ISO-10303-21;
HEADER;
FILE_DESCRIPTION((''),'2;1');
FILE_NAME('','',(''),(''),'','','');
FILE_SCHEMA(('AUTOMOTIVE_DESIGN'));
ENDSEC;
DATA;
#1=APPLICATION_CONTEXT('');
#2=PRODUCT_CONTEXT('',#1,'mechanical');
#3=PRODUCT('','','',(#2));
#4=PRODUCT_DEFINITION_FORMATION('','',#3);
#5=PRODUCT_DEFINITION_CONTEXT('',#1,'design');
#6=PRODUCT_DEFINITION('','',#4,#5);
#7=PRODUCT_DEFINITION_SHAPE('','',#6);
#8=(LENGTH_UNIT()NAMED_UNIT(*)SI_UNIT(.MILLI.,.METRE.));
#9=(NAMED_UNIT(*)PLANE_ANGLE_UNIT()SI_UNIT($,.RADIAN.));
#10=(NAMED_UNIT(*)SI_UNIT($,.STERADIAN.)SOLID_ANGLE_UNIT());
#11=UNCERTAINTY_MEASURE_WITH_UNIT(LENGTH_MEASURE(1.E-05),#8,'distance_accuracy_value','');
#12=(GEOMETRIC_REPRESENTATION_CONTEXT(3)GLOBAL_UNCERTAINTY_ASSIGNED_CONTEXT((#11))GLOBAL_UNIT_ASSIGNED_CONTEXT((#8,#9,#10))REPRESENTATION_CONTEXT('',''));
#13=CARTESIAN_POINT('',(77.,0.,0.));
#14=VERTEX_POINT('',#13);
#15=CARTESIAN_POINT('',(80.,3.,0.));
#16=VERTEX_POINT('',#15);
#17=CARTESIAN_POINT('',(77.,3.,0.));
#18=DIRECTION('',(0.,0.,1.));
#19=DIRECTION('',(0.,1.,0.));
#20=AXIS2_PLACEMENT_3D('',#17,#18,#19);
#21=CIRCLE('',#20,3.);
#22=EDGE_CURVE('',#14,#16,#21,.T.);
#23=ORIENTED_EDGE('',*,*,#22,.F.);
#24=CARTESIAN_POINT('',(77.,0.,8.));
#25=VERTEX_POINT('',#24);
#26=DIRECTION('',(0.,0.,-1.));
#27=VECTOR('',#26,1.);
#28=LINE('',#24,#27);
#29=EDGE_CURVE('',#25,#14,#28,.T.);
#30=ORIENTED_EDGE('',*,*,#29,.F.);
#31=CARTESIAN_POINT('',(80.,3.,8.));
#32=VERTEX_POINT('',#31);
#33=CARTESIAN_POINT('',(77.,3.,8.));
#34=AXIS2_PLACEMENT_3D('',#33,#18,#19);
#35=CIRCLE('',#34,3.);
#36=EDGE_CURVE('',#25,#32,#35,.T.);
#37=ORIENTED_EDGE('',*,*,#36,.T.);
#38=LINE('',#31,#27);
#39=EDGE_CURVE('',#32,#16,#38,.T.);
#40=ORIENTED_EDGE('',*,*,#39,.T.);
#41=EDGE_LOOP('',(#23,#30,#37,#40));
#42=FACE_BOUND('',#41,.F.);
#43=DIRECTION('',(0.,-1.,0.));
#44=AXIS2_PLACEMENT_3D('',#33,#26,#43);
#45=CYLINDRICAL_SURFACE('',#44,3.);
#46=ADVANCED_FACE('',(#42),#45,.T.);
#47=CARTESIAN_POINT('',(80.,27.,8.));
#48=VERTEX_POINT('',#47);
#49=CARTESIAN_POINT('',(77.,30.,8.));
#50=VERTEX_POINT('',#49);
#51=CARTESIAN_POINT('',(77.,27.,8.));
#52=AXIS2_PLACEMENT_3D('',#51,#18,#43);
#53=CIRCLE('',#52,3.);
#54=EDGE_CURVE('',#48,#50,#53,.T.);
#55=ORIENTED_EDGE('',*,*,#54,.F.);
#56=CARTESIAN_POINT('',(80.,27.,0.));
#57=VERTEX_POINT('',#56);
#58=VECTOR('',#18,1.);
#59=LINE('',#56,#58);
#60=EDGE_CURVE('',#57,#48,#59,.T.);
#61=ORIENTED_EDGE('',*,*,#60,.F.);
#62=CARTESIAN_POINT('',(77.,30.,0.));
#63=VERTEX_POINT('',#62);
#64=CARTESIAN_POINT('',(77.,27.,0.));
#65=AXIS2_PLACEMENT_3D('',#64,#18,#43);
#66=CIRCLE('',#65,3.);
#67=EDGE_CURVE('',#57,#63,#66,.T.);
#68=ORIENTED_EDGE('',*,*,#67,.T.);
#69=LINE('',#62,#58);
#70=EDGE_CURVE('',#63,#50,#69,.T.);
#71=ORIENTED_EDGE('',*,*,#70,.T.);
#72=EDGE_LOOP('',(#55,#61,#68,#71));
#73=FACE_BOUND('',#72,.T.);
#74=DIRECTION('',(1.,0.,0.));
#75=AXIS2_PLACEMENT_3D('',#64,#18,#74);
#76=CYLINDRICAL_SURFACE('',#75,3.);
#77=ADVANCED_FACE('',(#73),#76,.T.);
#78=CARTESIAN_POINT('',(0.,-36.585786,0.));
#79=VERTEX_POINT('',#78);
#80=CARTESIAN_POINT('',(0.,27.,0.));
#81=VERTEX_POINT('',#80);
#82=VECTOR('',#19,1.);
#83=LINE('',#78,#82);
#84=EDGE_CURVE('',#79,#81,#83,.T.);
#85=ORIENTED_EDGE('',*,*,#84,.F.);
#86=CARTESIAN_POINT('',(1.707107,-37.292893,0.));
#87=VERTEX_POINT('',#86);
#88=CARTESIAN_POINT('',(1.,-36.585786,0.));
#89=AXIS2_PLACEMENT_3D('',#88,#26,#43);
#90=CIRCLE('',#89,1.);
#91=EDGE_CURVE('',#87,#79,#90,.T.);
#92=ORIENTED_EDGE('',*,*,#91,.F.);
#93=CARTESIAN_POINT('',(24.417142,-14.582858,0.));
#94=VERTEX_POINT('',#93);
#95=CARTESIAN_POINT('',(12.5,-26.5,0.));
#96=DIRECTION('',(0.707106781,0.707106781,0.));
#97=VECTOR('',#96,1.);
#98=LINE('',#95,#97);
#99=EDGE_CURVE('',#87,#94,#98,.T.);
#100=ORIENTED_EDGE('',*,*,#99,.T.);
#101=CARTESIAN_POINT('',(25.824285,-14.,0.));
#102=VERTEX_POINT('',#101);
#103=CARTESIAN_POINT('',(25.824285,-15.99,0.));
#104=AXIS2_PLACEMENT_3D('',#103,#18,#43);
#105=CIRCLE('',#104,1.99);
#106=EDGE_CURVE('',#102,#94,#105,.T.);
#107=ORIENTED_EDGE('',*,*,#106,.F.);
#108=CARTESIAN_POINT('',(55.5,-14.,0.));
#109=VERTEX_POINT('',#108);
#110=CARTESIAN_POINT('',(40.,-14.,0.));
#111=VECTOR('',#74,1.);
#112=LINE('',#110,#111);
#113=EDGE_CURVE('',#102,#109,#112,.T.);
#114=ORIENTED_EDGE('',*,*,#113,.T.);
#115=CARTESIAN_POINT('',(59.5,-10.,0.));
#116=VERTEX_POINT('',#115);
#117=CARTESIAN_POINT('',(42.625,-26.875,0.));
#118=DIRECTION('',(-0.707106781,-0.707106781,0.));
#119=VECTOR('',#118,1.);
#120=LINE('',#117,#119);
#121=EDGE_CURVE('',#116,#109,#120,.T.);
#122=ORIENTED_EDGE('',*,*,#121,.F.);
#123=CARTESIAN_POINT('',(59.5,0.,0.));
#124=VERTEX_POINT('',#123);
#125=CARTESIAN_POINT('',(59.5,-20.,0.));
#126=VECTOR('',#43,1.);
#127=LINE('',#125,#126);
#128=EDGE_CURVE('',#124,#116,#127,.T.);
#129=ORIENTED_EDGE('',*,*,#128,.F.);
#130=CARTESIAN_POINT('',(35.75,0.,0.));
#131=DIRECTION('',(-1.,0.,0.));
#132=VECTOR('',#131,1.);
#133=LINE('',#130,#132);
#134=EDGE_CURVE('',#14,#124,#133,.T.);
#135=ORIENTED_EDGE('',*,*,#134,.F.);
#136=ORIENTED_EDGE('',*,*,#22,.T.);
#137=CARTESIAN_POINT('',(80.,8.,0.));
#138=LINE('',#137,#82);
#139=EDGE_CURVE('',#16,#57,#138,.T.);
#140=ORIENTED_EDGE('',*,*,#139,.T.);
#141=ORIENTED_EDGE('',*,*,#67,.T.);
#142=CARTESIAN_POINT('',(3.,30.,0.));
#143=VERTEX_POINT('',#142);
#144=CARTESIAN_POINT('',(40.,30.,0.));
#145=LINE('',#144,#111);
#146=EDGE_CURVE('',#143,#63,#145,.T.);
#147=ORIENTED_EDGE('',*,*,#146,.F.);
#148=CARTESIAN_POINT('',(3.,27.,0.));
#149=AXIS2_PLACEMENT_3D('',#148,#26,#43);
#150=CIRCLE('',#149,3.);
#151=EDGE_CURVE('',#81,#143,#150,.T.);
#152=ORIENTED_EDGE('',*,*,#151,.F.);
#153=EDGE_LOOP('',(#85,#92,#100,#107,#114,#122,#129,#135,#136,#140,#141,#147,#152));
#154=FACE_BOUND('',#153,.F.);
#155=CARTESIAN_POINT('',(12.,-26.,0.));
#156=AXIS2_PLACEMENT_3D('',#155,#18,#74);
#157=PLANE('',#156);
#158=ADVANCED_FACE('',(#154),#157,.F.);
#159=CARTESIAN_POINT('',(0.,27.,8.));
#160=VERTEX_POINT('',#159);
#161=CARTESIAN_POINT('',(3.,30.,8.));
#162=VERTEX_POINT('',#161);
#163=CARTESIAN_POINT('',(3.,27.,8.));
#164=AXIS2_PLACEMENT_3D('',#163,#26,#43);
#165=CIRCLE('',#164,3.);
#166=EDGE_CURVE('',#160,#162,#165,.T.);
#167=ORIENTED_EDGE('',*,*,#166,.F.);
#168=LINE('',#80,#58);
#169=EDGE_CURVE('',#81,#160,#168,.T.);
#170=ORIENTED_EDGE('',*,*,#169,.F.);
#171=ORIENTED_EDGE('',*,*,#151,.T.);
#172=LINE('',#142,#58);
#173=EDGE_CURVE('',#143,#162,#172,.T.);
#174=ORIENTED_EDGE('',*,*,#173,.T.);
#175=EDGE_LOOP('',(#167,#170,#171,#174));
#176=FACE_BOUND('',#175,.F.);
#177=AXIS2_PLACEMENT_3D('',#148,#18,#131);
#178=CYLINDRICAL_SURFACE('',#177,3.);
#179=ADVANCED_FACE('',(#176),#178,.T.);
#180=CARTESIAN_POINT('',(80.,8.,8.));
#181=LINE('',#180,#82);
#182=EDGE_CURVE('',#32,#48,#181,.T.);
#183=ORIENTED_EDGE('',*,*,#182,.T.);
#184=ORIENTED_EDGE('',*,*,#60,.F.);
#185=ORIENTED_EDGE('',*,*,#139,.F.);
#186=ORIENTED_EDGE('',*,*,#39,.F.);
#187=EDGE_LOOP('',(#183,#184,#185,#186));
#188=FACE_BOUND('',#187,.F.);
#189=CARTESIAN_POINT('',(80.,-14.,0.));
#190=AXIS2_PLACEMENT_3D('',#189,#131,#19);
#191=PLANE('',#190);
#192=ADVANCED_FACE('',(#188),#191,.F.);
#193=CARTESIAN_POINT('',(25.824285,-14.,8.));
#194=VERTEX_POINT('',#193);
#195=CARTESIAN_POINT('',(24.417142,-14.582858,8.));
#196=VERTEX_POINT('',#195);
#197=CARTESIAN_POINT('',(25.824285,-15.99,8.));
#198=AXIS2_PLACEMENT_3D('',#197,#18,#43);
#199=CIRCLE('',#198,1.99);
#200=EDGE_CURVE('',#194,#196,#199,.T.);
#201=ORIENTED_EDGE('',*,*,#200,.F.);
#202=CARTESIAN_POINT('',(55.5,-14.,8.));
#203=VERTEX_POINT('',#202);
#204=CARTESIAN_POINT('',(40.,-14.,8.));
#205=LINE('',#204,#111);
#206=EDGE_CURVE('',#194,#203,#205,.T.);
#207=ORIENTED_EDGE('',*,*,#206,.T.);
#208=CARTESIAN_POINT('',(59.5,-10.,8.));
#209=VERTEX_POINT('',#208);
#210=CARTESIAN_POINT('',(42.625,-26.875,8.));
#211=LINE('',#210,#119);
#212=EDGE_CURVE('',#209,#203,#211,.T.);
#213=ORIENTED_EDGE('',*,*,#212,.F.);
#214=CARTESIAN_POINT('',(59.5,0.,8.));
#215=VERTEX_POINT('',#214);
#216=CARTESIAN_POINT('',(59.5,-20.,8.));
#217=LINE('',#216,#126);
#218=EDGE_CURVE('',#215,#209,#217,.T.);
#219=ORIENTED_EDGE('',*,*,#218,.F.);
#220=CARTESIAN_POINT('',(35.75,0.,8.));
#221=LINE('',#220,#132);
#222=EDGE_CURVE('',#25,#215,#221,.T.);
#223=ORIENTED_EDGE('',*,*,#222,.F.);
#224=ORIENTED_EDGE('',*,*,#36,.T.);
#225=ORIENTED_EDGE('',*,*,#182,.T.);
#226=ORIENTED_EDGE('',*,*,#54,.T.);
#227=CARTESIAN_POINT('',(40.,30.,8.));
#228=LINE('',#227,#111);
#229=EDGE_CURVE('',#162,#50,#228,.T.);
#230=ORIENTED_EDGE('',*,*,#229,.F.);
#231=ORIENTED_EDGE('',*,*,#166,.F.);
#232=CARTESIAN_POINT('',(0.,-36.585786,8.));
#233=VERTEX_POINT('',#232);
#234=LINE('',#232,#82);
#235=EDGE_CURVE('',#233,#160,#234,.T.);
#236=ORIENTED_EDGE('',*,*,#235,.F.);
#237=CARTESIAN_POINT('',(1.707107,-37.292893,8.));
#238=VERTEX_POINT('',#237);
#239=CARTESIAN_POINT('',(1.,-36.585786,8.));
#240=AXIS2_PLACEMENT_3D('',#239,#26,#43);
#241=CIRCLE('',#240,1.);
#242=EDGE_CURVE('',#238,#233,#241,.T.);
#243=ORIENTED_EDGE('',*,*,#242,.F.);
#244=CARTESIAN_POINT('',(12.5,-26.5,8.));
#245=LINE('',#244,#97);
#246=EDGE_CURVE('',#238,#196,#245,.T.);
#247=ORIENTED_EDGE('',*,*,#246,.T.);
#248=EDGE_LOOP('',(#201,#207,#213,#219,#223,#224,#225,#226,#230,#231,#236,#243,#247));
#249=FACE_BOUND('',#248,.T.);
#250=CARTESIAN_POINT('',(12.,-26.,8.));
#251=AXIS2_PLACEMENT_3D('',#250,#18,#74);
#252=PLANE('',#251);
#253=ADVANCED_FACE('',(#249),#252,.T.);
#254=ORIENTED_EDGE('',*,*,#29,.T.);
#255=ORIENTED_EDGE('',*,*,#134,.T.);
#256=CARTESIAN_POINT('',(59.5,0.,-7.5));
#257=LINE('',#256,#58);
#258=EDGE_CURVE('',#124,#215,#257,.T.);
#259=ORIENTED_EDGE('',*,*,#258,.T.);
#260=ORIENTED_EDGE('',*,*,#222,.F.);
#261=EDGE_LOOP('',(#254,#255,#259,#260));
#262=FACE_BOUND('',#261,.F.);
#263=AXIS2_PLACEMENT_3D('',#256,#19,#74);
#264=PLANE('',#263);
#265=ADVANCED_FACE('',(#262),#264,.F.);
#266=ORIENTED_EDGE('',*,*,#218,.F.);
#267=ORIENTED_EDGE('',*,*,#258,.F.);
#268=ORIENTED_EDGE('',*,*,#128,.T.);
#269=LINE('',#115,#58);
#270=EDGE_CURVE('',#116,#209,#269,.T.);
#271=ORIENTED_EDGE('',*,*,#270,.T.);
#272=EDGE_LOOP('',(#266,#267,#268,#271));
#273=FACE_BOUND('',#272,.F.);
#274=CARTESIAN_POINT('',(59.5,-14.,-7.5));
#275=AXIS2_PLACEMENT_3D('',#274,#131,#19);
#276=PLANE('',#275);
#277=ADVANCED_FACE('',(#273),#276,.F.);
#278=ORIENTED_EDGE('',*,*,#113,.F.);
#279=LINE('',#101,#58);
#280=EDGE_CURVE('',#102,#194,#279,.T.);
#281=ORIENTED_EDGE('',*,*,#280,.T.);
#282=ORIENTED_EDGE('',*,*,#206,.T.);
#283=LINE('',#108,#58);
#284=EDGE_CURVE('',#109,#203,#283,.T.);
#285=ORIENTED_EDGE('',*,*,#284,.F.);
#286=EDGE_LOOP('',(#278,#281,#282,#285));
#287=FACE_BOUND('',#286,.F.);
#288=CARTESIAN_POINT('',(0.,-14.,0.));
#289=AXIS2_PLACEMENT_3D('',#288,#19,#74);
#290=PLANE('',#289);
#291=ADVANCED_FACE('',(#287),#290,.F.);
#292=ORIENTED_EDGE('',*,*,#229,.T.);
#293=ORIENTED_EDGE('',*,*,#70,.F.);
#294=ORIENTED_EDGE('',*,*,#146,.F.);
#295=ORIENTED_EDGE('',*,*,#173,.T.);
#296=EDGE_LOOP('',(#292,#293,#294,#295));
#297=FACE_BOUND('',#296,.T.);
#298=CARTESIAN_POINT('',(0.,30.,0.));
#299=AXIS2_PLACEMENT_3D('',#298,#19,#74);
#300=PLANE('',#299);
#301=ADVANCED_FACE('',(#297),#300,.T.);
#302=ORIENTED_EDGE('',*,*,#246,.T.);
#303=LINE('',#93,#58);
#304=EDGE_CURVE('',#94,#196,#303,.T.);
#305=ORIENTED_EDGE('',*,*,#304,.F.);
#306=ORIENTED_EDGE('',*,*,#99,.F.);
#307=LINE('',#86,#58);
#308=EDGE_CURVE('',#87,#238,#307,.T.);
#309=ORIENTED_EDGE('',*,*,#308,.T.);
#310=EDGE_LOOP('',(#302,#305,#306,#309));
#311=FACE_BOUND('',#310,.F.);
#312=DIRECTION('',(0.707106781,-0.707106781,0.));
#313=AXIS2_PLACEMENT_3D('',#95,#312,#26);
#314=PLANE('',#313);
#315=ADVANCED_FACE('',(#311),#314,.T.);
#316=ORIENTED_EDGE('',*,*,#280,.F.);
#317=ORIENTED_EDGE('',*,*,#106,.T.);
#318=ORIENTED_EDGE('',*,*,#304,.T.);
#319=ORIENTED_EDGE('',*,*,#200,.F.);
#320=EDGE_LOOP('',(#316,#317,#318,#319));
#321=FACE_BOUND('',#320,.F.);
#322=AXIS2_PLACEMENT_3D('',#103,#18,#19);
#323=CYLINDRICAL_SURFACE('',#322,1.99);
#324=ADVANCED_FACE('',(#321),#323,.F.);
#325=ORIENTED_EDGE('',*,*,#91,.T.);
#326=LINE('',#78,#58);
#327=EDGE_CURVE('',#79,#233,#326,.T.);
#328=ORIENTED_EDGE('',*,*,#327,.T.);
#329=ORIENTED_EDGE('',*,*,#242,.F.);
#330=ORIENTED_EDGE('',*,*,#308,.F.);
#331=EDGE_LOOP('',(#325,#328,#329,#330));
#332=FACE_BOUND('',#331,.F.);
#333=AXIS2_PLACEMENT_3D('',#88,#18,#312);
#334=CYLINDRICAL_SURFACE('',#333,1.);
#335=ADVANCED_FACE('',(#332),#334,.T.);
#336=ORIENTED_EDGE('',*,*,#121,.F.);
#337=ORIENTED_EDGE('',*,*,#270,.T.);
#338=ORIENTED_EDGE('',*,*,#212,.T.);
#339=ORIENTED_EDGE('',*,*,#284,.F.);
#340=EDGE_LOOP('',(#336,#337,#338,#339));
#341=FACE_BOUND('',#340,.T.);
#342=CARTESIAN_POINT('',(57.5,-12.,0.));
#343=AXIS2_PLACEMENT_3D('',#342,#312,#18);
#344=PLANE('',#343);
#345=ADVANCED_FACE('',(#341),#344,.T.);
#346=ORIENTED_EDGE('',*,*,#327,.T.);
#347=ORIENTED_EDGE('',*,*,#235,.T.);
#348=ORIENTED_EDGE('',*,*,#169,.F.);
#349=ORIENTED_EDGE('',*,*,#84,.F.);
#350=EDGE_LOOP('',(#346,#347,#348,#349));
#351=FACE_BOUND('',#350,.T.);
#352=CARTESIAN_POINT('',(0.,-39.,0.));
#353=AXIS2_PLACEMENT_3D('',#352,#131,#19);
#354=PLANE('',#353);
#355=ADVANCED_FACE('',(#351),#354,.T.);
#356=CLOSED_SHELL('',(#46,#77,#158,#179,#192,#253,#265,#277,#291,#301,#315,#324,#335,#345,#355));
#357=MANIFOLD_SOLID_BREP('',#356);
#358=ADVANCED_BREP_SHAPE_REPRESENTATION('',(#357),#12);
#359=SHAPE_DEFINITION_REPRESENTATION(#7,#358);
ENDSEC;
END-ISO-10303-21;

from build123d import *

# Parameters (mm, degrees)
BOX028_W          = 27
BOX028_H          = 14
BOX028_DEPTH      = 22
BOX009_W          = 80
BOX009_H          = 44
BOX009_DEPTH      = 8
BOX021_W          = 26
BOX021_H          = 26
BOX021_DEPTH      = 8
BOX020_W          = 26
BOX020_H          = 26
BOX020_DEPTH      = 8
CHAMFER017_SIZE   = 25
FILLET004003004_R = 1
FILLET004003005_R = 1.99
FILLET004003006_R = 3
CHAMFER033_SIZE   = 4
FILLET004003008_R = 3


with BuildPart() as cube028:
    # Box028 → Box028 (new body)
    with BuildSketch(Plane(origin=(59.5, -14, -7.5), x_dir=(1, 0, 0), z_dir=(0, 0, 1))):
        with Locations((13.5, 7)):
            Rectangle(BOX028_W, BOX028_H)
    extrude(amount=BOX028_DEPTH)


with BuildPart() as cube009:
    # Box009 → Box009 (new body)
    with BuildSketch(Plane(origin=(0, -14, 0), x_dir=(1, 0, 0), z_dir=(0, 0, 1))):
        with Locations((40, 22)):
            Rectangle(BOX009_W, BOX009_H)
    extrude(amount=BOX009_DEPTH)


with BuildPart() as cube021:
    # Box021 → Box021 (new body)
    with BuildSketch(Plane(origin=(-26, -39, 0), x_dir=(1, 0, 0), z_dir=(0, 0, 1))):
        with Locations((13, 13)):
            Rectangle(BOX021_W, BOX021_H)
    extrude(amount=BOX021_DEPTH)


with BuildPart() as fillet004003008:
    # Box020 → Box020 (new body)
    with BuildSketch(Plane(origin=(-1, -39, 0), x_dir=(1, 0, 0), z_dir=(0, 0, 1))):
        with Locations((13, 13)):
            Rectangle(BOX020_W, BOX020_H)
    extrude(amount=BOX020_DEPTH)

    # Chamfer017
    chamfer017_edges = [fillet004003008.edges().sort_by_distance(p)[0] for p in [
        (25, -39, 4),
    ]]
    chamfer(chamfer017_edges, length=CHAMFER017_SIZE)

    # Cut002008010: cut Cube021
    add(cube021.part, mode=Mode.SUBTRACT)

    # Fillet004003004
    fillet004003004_edges = [fillet004003008.edges().sort_by_distance(p)[0] for p in [
        (0, -39, 4),
    ]]
    fillet(fillet004003004_edges, radius=FILLET004003004_R)

    # Fusion006002011004053036004001003009006004: union Cube009
    add(cube009.part)

    # Fillet004003005
    fillet004003005_edges = [fillet004003008.edges().sort_by_distance(p)[0] for p in [
        (25, -14, 4),
    ]]
    fillet(fillet004003005_edges, radius=FILLET004003005_R)

    # Fillet004003006
    fillet004003006_edges = [fillet004003008.edges().sort_by_distance(p)[0] for p in [
        (80, -14, 4),
        (80, 30, 4),
        (0, 30, 4),
    ]]
    fillet(fillet004003006_edges, radius=FILLET004003006_R)

    # Cut002008023012003: cut Cube028
    add(cube028.part, mode=Mode.SUBTRACT)

    # Chamfer033
    chamfer033_edges = [fillet004003008.edges().sort_by_distance(p)[0] for p in [
        (59.5, -14, 4),
    ]]
    chamfer(chamfer033_edges, length=CHAMFER033_SIZE)

    # Fillet004003008
    fillet004003008_edges = [fillet004003008.edges().sort_by_distance(p)[0] for p in [
        (80, 0, 4),
    ]]
    fillet(fillet004003008_edges, radius=FILLET004003008_R)


solid = fillet004003008.part
